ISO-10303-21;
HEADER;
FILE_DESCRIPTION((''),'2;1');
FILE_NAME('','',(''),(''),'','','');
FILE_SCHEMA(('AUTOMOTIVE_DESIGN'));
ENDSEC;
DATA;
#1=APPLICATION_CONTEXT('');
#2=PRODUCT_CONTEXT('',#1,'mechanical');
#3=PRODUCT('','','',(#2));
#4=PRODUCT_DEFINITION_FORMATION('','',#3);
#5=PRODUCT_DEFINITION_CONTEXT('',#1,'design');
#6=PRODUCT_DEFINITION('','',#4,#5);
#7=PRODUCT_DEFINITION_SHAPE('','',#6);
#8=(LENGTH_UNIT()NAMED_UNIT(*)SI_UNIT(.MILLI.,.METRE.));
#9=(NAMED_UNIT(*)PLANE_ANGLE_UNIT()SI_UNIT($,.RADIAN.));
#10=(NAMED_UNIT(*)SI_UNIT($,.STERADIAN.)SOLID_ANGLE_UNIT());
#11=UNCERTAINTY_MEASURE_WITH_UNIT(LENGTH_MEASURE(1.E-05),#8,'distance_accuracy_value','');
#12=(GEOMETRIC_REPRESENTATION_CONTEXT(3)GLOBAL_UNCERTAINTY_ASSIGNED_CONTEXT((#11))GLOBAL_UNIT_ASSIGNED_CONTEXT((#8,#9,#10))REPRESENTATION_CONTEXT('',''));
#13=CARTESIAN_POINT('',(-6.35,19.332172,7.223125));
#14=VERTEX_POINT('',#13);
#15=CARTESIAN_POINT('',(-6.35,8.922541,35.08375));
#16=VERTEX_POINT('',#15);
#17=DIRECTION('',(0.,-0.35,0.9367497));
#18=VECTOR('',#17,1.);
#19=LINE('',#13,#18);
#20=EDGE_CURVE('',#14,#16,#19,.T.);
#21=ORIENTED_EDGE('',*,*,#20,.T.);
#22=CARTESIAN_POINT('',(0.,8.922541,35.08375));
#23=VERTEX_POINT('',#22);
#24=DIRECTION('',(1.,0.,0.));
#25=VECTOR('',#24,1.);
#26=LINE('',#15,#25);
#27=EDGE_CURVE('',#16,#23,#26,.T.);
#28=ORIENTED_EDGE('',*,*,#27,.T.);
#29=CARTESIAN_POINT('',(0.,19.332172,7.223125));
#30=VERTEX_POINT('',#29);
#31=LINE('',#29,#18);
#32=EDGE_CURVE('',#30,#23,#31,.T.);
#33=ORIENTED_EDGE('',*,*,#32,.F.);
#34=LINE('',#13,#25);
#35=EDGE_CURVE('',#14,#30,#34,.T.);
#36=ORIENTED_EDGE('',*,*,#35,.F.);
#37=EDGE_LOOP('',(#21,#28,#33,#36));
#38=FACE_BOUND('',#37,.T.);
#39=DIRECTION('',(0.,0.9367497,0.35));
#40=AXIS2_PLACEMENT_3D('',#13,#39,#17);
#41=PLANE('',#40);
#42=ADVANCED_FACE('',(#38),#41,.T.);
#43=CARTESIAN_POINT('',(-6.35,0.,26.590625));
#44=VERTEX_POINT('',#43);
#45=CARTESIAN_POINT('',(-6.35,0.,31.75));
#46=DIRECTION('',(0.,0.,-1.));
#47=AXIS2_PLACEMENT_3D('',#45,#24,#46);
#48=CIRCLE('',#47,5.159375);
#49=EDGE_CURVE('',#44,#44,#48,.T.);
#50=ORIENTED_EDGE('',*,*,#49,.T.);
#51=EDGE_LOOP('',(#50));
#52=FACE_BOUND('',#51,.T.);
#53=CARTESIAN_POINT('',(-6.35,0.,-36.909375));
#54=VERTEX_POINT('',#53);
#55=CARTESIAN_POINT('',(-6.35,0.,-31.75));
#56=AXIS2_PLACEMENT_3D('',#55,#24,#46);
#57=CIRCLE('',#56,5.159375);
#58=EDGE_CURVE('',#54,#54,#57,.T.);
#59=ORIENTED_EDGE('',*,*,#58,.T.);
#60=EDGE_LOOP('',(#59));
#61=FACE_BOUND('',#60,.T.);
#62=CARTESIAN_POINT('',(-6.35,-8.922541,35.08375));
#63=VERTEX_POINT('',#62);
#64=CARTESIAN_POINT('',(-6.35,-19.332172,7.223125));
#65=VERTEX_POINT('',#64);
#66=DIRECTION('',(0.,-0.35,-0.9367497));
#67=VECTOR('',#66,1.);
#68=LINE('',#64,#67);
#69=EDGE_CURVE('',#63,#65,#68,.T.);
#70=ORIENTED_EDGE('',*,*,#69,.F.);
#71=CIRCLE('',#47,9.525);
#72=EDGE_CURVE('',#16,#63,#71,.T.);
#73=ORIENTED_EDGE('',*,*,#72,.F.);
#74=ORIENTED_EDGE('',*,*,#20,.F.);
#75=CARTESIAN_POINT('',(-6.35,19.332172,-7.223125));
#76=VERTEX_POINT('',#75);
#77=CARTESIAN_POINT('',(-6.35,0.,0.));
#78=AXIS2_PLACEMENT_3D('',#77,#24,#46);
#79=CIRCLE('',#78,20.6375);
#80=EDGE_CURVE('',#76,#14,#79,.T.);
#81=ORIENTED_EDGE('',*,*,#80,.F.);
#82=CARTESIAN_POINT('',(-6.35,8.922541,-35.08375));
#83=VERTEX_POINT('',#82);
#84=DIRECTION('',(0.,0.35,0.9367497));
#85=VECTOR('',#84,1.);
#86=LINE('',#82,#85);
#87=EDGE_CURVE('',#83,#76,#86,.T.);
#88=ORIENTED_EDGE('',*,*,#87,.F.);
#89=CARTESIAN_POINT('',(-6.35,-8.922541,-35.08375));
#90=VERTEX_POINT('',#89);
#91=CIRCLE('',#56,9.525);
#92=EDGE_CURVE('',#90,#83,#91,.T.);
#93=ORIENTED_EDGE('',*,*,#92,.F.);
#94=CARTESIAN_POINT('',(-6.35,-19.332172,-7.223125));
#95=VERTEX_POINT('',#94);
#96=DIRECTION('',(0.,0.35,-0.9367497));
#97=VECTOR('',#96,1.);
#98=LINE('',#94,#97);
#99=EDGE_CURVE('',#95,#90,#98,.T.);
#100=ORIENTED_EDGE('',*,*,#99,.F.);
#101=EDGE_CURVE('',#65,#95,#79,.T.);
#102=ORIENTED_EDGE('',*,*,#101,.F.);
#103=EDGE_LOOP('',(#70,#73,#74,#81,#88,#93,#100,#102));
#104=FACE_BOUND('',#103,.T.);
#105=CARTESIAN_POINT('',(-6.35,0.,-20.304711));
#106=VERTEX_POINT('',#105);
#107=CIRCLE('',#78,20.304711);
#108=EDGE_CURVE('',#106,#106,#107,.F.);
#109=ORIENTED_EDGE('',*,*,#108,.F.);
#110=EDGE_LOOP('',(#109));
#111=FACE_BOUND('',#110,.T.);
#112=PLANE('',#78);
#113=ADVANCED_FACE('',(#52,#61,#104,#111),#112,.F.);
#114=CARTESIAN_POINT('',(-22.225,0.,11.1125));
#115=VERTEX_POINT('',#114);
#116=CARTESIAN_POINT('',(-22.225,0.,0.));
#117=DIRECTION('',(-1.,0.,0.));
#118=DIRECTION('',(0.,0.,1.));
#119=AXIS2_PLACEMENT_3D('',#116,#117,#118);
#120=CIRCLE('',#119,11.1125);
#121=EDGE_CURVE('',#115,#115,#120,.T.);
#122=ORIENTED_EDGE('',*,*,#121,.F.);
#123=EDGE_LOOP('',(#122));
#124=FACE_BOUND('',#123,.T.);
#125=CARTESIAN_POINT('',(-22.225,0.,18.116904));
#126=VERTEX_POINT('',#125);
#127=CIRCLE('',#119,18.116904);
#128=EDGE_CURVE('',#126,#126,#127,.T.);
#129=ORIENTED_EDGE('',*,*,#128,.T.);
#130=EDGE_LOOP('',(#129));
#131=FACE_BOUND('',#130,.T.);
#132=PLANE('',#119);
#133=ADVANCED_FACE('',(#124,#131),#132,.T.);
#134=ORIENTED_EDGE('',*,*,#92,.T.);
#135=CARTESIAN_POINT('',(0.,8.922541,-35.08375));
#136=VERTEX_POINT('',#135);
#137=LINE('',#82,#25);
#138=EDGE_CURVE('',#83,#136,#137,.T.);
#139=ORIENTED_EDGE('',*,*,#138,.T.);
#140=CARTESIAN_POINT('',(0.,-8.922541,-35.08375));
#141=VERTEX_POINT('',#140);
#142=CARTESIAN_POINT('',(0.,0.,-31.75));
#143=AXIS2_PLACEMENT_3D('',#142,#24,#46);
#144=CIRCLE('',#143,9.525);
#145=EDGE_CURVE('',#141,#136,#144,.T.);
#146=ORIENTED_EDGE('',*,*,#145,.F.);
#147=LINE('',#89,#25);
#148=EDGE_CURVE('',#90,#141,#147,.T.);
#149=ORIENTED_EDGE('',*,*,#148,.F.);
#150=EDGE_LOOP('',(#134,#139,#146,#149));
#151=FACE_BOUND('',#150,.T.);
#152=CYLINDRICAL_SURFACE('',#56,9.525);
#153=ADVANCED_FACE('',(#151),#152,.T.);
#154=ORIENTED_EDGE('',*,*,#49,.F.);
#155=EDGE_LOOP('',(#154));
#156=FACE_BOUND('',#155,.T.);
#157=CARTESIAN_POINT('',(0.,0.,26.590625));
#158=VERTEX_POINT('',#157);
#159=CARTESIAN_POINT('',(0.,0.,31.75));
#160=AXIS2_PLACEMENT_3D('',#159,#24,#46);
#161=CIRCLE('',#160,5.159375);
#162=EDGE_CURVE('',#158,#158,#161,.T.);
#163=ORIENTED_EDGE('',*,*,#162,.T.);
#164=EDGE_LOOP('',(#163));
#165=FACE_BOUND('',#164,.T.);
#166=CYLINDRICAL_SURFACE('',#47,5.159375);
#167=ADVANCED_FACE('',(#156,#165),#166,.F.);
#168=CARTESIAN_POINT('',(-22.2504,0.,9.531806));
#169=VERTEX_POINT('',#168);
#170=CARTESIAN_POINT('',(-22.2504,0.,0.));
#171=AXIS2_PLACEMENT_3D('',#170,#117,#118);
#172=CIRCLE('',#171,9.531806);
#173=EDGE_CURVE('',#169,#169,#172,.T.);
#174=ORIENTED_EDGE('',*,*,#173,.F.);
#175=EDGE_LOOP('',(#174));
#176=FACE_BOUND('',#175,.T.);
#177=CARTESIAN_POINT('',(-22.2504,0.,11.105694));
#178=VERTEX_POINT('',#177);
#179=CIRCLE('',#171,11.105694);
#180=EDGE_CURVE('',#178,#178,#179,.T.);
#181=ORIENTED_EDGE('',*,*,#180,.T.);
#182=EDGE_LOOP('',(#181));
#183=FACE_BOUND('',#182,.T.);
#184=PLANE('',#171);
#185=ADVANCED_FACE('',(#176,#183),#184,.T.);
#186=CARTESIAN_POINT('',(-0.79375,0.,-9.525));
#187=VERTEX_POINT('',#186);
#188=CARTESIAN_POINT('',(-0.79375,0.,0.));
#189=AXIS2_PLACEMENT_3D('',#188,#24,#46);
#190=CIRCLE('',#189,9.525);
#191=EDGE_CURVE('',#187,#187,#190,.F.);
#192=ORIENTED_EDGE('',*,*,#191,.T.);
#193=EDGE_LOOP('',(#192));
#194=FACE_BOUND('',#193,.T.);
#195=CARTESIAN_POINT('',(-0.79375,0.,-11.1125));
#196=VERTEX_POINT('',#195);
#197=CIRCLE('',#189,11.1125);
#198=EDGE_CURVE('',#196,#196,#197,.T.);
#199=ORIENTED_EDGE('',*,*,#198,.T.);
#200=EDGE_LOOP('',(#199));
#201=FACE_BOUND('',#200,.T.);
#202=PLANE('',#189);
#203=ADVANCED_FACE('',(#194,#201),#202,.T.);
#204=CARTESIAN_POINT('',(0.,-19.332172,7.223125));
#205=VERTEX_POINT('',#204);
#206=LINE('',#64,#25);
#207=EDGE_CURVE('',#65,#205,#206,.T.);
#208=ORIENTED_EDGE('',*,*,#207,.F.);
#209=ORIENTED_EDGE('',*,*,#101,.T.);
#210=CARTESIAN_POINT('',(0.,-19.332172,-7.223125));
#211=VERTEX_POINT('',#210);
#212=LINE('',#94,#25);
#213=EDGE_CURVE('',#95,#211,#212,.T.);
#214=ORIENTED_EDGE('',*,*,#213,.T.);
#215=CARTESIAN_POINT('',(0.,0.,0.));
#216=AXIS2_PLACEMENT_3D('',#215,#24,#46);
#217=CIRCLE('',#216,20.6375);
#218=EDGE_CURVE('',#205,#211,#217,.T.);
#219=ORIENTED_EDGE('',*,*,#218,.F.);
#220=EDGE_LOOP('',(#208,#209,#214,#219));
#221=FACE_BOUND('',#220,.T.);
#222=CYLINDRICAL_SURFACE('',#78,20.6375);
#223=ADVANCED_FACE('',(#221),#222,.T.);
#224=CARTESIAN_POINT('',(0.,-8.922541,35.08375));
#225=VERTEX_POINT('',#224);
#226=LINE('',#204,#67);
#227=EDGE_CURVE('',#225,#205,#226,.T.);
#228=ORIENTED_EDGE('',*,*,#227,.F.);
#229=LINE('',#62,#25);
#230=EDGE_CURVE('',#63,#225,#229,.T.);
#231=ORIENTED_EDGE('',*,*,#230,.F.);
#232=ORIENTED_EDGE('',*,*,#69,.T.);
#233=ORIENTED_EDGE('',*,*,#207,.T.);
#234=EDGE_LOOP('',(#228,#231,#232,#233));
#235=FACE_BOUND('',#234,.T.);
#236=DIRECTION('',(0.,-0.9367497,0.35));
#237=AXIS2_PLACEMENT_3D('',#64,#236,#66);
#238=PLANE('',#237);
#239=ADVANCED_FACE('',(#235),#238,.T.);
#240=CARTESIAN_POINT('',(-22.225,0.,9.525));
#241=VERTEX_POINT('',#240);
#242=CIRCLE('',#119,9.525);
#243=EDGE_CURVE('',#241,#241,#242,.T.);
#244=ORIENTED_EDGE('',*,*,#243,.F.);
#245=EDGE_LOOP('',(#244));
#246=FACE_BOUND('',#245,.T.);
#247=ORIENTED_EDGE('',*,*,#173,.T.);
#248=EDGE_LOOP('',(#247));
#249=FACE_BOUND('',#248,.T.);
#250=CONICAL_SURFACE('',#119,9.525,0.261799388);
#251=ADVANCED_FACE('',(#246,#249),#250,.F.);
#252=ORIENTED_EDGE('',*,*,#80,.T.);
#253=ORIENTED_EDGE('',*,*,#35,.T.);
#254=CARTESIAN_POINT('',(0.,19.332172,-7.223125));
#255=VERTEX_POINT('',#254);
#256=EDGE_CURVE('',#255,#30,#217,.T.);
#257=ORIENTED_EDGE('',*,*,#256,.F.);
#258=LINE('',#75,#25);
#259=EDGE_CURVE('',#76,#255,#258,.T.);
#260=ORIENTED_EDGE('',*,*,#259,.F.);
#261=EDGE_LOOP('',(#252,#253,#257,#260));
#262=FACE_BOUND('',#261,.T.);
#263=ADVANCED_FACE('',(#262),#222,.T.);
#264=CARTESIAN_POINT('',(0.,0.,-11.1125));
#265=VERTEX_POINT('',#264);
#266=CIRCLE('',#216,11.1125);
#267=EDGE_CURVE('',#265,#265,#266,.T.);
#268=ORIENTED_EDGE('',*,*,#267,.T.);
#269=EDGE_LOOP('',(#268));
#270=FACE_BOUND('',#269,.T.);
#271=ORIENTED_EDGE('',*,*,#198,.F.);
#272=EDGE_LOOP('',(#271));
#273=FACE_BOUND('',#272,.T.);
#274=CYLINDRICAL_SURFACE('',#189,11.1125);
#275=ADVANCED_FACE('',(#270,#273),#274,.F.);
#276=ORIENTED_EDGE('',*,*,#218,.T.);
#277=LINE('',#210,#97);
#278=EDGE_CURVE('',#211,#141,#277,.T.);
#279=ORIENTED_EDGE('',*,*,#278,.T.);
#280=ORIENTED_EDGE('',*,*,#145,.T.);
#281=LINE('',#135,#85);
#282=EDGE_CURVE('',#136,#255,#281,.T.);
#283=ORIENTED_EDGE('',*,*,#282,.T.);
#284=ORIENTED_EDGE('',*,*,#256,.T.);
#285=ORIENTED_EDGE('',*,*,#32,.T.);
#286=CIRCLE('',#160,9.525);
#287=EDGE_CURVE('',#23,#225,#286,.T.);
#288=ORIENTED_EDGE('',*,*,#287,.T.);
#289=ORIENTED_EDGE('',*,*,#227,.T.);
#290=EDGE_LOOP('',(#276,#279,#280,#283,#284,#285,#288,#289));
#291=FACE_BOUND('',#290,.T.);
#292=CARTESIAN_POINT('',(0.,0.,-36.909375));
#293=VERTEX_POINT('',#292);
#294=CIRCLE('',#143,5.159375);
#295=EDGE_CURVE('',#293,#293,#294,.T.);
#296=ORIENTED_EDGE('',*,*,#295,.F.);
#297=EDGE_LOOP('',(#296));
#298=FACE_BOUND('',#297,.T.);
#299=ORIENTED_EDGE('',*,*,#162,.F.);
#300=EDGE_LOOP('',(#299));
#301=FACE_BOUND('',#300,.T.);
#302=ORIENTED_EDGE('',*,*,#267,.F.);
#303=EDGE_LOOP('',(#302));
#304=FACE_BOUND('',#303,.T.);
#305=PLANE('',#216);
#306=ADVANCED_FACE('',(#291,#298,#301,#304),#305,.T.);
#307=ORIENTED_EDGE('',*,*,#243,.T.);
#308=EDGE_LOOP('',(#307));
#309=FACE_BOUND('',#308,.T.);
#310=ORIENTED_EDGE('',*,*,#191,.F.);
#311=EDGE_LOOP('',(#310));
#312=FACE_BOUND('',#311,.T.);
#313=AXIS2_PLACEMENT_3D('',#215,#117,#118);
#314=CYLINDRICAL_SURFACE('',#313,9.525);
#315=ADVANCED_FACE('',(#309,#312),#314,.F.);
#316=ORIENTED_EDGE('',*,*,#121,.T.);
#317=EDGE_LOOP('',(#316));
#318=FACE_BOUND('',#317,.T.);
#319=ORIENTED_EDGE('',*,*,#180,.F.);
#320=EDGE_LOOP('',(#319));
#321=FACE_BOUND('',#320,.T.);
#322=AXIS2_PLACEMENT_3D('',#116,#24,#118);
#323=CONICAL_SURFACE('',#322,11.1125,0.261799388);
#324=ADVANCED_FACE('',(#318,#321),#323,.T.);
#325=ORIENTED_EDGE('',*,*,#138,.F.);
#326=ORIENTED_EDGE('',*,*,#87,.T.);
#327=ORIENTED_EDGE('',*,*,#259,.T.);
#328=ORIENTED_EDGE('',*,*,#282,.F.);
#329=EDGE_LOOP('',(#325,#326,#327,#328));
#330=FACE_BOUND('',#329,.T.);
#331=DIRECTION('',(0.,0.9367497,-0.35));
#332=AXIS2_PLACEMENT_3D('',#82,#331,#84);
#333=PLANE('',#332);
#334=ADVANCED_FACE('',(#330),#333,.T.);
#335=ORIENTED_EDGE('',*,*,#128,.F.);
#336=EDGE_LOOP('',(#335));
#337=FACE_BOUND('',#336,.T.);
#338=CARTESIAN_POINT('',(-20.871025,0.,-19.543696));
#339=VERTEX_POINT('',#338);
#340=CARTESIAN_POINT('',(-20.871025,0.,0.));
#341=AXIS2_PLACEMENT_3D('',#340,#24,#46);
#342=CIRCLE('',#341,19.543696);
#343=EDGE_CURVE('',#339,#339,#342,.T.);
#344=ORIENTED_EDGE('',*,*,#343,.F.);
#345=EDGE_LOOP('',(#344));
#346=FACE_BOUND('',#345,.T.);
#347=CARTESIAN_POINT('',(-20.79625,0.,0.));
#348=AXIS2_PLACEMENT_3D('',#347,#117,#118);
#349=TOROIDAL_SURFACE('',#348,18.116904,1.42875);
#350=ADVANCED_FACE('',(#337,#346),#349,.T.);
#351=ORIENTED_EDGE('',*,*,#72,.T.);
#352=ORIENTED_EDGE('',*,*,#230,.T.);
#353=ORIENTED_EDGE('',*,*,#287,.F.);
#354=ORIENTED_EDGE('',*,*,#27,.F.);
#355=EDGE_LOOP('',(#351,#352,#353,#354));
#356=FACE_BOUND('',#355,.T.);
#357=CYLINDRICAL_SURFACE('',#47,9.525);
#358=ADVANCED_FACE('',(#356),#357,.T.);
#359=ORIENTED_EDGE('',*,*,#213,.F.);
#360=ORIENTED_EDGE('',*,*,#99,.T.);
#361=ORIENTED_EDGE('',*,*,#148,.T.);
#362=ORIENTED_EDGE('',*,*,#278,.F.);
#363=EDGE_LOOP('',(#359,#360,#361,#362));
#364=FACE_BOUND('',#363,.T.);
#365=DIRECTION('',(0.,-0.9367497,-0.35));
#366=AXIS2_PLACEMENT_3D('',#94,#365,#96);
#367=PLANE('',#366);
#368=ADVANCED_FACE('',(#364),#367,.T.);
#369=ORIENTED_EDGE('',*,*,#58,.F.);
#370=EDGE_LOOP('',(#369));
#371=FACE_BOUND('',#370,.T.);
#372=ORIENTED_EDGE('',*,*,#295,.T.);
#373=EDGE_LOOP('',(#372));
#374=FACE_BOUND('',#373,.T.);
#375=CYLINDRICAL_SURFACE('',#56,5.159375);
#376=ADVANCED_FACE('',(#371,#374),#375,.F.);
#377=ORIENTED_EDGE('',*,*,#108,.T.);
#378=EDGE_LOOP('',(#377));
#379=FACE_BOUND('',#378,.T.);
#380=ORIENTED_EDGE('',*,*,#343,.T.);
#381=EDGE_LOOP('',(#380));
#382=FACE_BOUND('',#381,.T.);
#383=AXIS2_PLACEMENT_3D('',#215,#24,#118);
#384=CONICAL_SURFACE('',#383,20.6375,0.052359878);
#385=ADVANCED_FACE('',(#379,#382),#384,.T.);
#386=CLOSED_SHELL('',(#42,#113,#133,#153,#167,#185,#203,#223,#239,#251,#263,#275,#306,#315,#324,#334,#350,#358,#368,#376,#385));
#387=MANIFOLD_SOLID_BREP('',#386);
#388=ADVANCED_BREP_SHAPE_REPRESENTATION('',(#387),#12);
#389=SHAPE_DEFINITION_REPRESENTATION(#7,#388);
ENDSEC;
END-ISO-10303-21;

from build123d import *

# Parameters (mm, degrees)
SKETCH1_R           = 5.159375
BASE_EXTRUDE_DEPTH  = 6.35
SKETCH2_R           = 20.6375
BOSS_EXTRUDE1_DEPTH = 22.225
BOSS_EXTRUDE1_TAPER = 3
SKETCH3_R           = 9.525
CUT_EXTRUDE1_DEPTH  = 52.219943931
SKETCH4_R           = 11.1125
SKETCH4_R_2         = 9.525
BOSS_EXTRUDE2_DEPTH = 0.0254
BOSS_EXTRUDE2_DRAFT = 15
SKETCH5_R           = 11.1125
CUT_EXTRUDE2_DEPTH  = 0.79375
FILLET1_R           = 1.42875


with BuildPart() as part:
    # Sketch1 → Base-Extrude (new body)
    with BuildSketch(Plane(origin=(0, 0, 0), x_dir=(0, 0, -1), z_dir=(1, 0, 0))):
        with BuildLine():
            Line((-7.223125, -19.332171929), (-35.08375, -8.92254089))
            ThreePointArc((-35.08375, -8.92254089), (-41.275, 0), (-35.08375, 8.92254089))
            Line((-35.08375, 8.92254089), (-7.223125, 19.332171929))
            ThreePointArc((-7.223125, 19.332171929), (0, 20.6375), (7.223125, 19.332171929))
            Line((7.223125, 19.332171929), (35.08375, 8.92254089))
            ThreePointArc((35.08375, 8.92254089), (41.275, 0), (35.08375, -8.92254089))
            Line((35.08375, -8.92254089), (7.223125, -19.332171929))
            ThreePointArc((7.223125, -19.332171929), (0, -20.6375), (-7.223125, -19.332171929))
        make_face()
        with Locations((-31.75, 0)):
            Circle(SKETCH1_R, mode=Mode.SUBTRACT)
        with Locations((31.75, 0)):
            Circle(SKETCH1_R, mode=Mode.SUBTRACT)
    extrude(amount=-BASE_EXTRUDE_DEPTH)

    # Sketch2 → Boss-Extrude1 (add)
    with BuildSketch(Plane.ZY):
        Circle(SKETCH2_R)
    extrude(amount=BOSS_EXTRUDE1_DEPTH, taper=BOSS_EXTRUDE1_TAPER)

    # Sketch3 → Cut-Extrude1 (cut, through all)
    with BuildSketch(Plane.ZY.offset(22.225)):
        Circle(SKETCH3_R)
    extrude(amount=-CUT_EXTRUDE1_DEPTH, mode=Mode.SUBTRACT)


with BuildPart() as boss_extrude2_tool:
    # Sketch4 → Boss-Extrude2 (with draft: the straight prism first)
    with BuildSketch(Plane.ZY.offset(22.225)):
        Circle(SKETCH4_R)
        Circle(SKETCH4_R_2, mode=Mode.SUBTRACT)
    extrude(amount=BOSS_EXTRUDE2_DEPTH)
    # Boss-Extrude2: the draft: its side faces are tilted about the plane it starts from
    boss_extrude2_sides = [boss_extrude2_tool.faces().sort_by_distance(p)[0] for p in [
        (-22.2377, 0, -11.1125),
        (-22.2377, 0, -9.525),
    ]]
    draft(boss_extrude2_sides, Plane.ZY.offset(22.225), BOSS_EXTRUDE2_DRAFT)


with BuildPart() as part_1:
    add(part.part)

    # Boss-Extrude2: add boss_extrude2_tool
    add(boss_extrude2_tool.part)

    # Sketch5 → Cut-Extrude2 (cut)
    with BuildSketch(Plane(origin=(0, 0, 0), x_dir=(0, 0, -1), z_dir=(1, 0, 0))):
        Circle(SKETCH5_R)
    extrude(amount=-CUT_EXTRUDE2_DEPTH, mode=Mode.SUBTRACT)

    # Fillet1
    fillet1_edges = [part_1.edges().sort_by_distance(p)[0] for p in [
        (-22.225, 0, -19.472737105),
    ]]
    fillet(fillet1_edges, radius=FILLET1_R)


solid = part_1.part
